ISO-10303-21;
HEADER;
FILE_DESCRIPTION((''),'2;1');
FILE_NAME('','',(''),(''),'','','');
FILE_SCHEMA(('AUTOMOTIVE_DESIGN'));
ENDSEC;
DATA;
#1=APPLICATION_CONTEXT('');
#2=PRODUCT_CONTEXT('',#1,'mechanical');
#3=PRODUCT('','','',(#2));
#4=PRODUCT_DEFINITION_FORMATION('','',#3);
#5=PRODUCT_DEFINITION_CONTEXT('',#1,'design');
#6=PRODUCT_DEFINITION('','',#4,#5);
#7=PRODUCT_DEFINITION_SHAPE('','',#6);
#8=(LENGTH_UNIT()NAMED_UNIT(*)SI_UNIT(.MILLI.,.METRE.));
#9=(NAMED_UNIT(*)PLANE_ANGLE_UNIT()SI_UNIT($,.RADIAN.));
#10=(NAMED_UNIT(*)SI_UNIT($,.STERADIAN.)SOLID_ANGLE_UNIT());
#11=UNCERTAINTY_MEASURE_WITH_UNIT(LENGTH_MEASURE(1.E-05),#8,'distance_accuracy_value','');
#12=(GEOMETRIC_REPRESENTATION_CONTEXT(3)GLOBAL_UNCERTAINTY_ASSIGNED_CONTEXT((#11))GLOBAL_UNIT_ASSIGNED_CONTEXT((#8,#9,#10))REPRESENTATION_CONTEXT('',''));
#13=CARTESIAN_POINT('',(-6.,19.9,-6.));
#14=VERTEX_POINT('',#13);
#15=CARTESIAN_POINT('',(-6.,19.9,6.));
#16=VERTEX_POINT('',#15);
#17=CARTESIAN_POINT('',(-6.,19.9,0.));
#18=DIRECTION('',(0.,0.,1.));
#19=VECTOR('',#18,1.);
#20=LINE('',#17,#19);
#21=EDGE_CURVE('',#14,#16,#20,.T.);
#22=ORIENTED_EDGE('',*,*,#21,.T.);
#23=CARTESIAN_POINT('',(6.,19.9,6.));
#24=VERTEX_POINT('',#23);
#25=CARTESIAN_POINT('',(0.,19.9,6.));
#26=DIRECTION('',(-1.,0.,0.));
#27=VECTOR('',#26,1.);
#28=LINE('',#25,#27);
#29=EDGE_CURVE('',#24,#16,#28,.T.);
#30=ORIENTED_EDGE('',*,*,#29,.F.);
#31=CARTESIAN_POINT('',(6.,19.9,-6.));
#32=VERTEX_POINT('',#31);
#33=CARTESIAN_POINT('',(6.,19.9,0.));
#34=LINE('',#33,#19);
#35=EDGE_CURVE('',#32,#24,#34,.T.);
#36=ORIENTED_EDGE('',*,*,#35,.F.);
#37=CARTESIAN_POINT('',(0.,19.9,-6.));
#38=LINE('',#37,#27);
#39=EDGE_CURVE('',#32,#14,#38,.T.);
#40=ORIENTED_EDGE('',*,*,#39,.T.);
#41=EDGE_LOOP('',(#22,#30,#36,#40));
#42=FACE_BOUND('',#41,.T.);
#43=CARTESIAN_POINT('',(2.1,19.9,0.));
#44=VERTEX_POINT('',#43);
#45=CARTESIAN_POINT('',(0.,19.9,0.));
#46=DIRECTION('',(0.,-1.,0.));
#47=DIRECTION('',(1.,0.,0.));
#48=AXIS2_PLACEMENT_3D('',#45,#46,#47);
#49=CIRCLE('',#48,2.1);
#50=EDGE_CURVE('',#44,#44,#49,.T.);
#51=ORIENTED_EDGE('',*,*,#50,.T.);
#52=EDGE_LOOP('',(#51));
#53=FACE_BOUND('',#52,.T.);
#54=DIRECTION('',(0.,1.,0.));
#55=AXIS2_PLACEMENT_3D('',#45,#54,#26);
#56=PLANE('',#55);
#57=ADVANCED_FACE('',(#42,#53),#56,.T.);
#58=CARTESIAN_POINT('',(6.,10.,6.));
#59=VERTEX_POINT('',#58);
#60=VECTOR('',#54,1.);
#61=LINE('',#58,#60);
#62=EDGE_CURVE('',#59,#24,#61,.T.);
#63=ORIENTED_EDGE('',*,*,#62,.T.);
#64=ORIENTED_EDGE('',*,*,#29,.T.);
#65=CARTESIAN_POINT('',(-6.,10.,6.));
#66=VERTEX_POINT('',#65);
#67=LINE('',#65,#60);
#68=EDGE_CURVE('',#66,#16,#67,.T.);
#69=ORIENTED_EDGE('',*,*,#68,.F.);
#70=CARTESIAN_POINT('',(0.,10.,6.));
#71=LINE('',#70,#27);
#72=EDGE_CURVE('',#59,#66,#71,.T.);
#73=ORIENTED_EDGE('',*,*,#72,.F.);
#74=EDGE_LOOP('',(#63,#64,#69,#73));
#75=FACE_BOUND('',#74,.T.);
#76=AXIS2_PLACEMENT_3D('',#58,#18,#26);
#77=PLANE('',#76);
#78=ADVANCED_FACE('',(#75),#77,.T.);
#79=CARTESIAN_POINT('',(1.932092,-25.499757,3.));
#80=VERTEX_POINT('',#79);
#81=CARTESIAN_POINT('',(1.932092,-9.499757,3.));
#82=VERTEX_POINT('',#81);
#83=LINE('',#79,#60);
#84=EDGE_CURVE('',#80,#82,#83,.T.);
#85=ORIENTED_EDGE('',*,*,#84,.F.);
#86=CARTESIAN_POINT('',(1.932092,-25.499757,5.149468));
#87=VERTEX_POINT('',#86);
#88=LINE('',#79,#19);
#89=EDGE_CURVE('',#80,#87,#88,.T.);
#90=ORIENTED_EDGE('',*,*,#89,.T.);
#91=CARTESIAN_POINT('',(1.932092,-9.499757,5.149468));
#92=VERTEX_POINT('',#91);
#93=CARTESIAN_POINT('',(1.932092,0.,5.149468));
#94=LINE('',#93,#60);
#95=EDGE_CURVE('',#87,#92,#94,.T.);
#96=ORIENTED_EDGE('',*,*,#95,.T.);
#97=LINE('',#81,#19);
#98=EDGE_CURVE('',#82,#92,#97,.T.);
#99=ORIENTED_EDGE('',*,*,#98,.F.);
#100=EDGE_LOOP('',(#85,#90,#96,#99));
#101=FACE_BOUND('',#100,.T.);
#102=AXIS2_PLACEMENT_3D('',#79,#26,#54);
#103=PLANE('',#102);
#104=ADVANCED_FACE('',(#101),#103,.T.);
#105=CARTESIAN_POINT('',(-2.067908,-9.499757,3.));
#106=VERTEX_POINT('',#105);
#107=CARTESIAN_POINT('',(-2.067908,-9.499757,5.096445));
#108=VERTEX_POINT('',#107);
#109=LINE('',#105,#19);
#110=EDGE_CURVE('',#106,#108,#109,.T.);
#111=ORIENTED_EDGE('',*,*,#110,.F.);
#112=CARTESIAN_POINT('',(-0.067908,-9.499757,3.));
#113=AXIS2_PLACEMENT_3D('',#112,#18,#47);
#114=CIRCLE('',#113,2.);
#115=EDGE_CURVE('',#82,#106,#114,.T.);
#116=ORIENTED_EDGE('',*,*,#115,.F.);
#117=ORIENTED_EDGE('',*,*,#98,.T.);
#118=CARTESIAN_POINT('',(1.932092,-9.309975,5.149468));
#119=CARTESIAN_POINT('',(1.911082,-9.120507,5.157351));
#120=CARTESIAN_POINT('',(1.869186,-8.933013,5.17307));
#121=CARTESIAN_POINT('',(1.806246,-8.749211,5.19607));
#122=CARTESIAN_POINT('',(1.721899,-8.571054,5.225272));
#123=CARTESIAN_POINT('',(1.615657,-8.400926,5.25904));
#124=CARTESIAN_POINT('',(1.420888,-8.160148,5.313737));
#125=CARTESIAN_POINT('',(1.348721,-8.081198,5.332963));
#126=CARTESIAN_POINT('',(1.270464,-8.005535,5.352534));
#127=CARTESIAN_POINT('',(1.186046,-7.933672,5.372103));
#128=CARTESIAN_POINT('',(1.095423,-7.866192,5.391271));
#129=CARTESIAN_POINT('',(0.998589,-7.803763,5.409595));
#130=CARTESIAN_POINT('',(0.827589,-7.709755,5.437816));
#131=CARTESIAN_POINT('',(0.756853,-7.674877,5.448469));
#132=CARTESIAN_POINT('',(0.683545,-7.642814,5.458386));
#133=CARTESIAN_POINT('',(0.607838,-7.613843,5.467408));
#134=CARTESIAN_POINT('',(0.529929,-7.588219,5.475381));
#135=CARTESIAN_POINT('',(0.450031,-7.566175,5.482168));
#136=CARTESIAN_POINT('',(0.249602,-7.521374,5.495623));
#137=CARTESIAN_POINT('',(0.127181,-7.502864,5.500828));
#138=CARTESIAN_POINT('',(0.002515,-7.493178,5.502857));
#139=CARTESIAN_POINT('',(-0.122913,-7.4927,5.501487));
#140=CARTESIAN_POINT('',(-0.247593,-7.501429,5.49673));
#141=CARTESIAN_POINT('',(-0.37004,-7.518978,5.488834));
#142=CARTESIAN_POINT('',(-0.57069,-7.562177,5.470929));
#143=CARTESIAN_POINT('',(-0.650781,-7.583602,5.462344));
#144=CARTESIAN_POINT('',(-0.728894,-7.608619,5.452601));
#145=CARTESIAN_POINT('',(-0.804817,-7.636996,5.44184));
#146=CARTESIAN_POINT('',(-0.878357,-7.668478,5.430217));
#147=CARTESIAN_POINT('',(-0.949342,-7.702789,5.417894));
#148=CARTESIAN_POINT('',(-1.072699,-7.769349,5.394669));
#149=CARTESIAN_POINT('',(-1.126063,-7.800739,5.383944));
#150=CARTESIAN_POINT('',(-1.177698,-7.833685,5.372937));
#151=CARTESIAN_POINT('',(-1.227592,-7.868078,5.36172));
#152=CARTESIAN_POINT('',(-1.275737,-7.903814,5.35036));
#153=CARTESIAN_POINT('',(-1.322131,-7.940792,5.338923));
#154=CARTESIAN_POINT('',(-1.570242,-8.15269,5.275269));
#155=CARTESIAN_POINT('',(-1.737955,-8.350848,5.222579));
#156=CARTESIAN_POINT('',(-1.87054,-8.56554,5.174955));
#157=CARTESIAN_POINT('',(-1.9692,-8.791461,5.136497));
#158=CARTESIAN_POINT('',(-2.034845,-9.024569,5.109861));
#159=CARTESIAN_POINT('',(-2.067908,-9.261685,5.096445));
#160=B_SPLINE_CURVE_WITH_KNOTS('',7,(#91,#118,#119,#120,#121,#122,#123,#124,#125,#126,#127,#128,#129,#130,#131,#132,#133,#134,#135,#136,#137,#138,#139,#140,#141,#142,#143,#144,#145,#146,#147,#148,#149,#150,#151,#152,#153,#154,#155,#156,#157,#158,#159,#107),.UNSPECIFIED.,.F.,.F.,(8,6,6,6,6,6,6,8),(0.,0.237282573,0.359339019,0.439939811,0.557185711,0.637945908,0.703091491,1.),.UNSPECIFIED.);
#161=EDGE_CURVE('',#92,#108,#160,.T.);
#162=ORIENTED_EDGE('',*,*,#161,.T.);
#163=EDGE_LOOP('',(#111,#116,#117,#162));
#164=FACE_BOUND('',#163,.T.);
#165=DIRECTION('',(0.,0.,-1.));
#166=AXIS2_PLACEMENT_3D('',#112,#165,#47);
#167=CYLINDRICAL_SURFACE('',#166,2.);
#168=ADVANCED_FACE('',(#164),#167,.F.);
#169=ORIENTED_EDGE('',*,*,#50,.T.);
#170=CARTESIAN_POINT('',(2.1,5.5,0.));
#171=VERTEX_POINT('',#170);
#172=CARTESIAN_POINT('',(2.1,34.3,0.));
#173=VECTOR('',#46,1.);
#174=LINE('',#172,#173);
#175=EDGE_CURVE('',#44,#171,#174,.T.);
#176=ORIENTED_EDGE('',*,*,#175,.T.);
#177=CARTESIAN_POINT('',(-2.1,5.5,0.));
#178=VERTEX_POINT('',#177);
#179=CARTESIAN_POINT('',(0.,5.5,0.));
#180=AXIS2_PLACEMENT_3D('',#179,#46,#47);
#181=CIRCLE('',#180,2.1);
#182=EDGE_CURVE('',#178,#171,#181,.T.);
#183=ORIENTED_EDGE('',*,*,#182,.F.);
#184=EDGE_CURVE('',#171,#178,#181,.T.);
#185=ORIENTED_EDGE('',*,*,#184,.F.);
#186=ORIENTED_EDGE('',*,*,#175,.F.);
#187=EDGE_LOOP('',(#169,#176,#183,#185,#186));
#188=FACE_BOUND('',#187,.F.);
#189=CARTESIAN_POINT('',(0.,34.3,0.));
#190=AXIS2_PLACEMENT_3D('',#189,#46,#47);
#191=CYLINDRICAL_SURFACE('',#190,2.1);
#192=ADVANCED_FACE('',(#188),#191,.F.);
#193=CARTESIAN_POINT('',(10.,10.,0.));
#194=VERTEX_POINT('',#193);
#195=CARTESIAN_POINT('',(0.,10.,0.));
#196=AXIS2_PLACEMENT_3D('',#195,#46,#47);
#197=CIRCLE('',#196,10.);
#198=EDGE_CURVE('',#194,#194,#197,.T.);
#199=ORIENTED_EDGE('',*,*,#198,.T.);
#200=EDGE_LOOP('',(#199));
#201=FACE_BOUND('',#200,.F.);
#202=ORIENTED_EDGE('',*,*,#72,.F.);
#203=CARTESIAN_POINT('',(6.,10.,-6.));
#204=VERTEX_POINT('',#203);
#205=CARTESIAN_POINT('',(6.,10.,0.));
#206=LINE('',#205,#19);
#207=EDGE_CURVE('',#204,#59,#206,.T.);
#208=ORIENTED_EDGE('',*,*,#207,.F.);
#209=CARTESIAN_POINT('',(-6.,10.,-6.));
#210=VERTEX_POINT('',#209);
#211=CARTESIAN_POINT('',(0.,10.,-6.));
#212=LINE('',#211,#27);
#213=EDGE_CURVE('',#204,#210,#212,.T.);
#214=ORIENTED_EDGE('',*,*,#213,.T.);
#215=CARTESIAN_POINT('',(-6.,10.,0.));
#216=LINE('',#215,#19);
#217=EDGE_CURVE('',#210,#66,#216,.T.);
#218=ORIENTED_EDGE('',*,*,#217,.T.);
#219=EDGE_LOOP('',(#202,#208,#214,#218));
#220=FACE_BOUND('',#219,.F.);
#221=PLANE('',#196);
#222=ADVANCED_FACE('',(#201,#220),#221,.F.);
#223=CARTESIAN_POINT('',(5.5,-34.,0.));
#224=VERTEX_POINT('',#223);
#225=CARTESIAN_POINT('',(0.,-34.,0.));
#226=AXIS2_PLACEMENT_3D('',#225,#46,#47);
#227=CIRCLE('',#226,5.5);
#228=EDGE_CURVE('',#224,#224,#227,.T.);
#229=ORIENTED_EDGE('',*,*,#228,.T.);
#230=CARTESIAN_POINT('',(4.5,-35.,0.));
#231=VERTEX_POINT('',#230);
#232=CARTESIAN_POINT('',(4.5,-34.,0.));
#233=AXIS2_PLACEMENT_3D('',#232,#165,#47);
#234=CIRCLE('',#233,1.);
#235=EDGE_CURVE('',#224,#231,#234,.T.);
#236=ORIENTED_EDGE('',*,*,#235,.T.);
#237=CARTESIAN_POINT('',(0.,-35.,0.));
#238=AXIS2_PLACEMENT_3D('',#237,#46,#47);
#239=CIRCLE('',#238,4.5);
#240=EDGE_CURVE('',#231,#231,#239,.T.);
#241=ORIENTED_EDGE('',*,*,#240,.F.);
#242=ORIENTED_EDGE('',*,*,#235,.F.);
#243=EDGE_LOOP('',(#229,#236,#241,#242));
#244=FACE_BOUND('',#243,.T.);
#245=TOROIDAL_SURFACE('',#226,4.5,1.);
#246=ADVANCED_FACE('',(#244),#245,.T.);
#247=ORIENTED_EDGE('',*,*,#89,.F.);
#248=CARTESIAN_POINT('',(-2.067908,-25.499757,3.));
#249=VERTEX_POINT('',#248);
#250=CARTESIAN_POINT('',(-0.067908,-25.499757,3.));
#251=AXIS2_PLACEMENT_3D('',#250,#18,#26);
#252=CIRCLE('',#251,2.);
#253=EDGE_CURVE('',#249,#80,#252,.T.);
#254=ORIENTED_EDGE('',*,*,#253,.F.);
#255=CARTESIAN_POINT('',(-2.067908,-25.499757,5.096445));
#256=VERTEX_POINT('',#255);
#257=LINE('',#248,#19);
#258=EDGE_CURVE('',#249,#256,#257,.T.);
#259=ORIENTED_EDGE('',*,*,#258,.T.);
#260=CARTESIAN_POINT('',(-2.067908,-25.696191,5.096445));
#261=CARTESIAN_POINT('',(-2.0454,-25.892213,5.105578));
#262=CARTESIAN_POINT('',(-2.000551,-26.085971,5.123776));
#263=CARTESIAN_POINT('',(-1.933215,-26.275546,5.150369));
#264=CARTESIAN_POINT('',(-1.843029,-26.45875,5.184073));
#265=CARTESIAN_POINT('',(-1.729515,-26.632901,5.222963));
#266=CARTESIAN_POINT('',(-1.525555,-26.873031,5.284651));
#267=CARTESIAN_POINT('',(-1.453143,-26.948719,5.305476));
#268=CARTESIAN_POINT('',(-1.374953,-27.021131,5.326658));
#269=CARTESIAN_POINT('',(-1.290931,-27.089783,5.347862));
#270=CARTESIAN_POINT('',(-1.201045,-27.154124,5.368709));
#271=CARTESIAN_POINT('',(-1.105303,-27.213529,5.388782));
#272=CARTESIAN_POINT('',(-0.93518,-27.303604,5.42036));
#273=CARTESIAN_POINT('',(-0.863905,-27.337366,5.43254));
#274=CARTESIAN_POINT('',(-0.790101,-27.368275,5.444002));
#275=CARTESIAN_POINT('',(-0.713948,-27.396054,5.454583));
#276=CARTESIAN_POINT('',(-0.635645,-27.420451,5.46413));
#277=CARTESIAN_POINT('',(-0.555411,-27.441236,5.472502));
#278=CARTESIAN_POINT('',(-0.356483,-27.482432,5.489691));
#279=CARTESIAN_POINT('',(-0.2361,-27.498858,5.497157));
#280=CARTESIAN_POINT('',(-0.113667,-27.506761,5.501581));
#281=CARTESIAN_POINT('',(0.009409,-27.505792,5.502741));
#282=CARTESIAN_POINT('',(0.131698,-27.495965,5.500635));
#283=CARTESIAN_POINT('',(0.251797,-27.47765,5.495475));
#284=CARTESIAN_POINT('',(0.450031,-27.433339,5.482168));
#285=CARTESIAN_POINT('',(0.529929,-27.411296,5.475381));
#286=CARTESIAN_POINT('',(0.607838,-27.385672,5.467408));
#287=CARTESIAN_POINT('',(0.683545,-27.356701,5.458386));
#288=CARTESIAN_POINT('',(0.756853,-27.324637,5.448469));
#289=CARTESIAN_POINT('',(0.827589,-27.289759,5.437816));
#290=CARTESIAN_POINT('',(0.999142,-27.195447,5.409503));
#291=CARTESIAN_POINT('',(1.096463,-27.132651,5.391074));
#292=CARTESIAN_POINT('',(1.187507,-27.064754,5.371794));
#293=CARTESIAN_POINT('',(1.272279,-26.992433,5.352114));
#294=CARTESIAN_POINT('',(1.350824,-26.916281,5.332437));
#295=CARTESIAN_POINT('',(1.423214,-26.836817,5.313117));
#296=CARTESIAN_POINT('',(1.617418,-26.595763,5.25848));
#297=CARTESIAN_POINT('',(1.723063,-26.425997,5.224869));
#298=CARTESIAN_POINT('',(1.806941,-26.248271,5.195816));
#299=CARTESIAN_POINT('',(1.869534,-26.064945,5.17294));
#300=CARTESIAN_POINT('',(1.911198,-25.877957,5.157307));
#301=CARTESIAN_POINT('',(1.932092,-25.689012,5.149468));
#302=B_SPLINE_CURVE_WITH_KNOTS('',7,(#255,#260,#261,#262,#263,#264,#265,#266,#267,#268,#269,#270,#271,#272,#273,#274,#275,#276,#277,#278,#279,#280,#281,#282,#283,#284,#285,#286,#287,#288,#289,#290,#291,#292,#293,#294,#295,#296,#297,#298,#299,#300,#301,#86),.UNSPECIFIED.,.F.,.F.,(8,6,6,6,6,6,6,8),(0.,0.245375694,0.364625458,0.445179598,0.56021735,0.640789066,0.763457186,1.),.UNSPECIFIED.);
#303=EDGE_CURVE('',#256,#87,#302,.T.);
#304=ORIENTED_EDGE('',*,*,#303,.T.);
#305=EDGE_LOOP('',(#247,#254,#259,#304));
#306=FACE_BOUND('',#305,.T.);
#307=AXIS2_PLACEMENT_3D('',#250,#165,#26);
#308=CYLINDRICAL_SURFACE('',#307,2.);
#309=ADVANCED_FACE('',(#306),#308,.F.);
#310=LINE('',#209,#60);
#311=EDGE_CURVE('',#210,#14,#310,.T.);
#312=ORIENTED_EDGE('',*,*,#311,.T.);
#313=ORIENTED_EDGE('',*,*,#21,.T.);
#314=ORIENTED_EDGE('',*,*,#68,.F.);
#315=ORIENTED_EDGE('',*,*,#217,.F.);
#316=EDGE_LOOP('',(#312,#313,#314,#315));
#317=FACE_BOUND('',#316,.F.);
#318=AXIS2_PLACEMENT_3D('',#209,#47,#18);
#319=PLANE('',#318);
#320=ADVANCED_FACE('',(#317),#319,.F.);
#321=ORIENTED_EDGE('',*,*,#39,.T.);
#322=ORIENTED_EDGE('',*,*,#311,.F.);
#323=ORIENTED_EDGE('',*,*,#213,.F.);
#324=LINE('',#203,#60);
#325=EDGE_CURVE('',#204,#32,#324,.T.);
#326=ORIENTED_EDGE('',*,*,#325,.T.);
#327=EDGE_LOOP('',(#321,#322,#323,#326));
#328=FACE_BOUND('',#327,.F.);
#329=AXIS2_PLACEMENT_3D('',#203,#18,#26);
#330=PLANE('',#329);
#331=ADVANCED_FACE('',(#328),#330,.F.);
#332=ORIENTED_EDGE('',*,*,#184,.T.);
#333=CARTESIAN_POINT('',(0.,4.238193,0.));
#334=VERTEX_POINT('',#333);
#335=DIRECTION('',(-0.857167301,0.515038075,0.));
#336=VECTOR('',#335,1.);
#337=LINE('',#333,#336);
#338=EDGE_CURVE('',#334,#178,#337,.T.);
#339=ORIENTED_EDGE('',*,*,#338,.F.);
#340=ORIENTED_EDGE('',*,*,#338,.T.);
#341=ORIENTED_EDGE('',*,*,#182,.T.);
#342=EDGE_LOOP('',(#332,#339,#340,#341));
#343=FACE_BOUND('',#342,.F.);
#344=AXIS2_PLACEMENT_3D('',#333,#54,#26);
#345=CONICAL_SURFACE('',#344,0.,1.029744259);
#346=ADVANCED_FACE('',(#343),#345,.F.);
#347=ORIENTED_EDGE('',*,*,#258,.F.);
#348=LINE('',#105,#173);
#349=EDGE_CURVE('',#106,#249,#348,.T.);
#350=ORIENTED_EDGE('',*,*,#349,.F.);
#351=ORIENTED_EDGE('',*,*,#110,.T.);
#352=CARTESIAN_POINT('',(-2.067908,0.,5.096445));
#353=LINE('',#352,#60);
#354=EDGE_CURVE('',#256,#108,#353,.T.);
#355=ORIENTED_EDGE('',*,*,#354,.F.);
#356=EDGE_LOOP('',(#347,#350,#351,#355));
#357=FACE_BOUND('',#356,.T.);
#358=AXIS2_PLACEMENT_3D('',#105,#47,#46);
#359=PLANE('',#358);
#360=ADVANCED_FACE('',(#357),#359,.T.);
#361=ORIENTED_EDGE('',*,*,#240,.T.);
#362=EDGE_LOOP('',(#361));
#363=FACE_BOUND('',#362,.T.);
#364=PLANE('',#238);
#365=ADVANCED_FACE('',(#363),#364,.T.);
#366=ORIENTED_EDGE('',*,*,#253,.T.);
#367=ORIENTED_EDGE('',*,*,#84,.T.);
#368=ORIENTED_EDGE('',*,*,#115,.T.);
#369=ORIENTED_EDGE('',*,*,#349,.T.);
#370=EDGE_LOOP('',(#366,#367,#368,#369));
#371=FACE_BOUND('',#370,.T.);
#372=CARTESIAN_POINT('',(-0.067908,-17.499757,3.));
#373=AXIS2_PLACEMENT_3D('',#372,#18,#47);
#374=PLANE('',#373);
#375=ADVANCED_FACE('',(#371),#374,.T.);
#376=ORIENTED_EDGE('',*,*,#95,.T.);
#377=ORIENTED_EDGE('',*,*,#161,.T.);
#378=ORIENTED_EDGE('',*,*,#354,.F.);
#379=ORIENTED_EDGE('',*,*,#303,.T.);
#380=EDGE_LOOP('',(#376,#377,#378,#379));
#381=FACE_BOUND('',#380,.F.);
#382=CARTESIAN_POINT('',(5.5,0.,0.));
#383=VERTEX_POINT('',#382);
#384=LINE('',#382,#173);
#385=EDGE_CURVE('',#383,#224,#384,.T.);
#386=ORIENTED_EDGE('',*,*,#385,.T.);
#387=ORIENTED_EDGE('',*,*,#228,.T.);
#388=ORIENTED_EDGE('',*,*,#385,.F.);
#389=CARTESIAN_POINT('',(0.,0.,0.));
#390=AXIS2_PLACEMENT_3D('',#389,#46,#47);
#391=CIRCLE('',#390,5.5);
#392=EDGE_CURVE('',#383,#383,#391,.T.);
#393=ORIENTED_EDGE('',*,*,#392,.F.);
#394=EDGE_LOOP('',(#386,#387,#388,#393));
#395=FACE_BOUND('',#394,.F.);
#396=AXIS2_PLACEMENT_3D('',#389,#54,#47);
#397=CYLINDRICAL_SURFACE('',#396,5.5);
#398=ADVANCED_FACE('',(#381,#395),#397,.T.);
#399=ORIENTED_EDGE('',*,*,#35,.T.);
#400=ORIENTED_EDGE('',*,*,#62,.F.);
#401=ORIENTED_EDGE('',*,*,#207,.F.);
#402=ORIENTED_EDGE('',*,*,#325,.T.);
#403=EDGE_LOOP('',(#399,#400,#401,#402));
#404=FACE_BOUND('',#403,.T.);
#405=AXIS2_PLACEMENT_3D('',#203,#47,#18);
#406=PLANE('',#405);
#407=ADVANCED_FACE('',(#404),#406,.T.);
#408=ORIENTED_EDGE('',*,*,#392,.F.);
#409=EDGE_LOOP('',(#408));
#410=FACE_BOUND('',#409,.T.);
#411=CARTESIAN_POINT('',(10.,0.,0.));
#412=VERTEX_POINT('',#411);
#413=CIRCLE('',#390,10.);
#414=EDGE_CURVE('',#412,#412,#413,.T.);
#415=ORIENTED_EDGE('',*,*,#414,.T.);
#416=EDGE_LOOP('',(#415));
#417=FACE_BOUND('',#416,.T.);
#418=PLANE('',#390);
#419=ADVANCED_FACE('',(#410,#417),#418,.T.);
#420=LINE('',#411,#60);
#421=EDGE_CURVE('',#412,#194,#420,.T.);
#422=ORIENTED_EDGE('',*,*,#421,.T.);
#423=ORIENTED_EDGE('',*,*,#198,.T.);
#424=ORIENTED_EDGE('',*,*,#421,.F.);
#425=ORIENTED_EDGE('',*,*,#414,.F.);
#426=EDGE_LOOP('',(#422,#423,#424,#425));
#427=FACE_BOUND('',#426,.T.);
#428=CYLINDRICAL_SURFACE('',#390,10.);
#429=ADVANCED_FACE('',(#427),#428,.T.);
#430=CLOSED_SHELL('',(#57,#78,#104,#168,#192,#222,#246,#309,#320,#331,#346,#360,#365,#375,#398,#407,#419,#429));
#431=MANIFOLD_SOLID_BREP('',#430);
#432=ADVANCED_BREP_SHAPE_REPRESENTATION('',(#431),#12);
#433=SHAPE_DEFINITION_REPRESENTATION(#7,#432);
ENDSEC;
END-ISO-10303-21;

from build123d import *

# Parameters (mm, degrees)
F0_R      = 5.5
F1_DEPTH  = 35
F2_R      = 10
F3_DEPTH  = 10
F4_W      = 12
F4_H      = 12
F5_DEPTH  = 9.9
F7_D      = 4.2
F7_DEPTH  = 14.4
F7_TIP    = 1.2618073
F10_DEPTH = 25
F11_R     = 1


with BuildPart() as f1:
    # F0 (on Front) → F1 (new body)
    with BuildSketch(Plane.XZ):
        Circle(F0_R)
    extrude(amount=F1_DEPTH)

    # F2 (on Front) → F3 (join)
    with BuildSketch(Plane.XZ):
        Circle(F2_R)
    extrude(amount=-F3_DEPTH)

    # F4 (on face) → F5 (join)
    with BuildSketch(Plane(origin=(0, 10, 0), x_dir=(-1, 0, 0), z_dir=(0, 1, 0))):
        Rectangle(F4_W, F4_H)
    extrude(amount=F5_DEPTH)

    # F7
    with Locations(Plane(origin=(0, 19.9, 0), x_dir=(-1, 0, 0), z_dir=(0, 1, 0))):
        with Locations((0, 0)):
            Hole(F7_D / 2, depth=F7_DEPTH)
            with Locations((0, 0, -(F7_DEPTH + F7_TIP / 2))):  # 118° drill point
                Cone(0, F7_D / 2, F7_TIP, mode=Mode.SUBTRACT)

    # F9 (on offset) → F10 (cut)
    with BuildSketch(Plane.XY.offset(3)):
        with BuildLine():
            ThreePointArc((1.9320917986, -9.4997572851), (-0.0679082014, -7.4997572851), (-2.0679082014, -9.4997572851))
            Line((-2.0679082014, -9.4997572851), (-2.0679082014, -25.4997572851))
            ThreePointArc((-2.0679082014, -25.4997572851), (-0.0679082014, -27.4997572851), (1.9320917986, -25.4997572851))
            Line((1.9320917986, -25.4997572851), (1.9320917986, -9.4997572851))
        make_face()
    extrude(amount=F10_DEPTH, mode=Mode.SUBTRACT)

    # F11
    f11_edges = [f1.edges().sort_by_distance(p)[0] for p in [
        (-5.5, -35, 0),
    ]]
    fillet(f11_edges, radius=F11_R)


solid = f1.part
